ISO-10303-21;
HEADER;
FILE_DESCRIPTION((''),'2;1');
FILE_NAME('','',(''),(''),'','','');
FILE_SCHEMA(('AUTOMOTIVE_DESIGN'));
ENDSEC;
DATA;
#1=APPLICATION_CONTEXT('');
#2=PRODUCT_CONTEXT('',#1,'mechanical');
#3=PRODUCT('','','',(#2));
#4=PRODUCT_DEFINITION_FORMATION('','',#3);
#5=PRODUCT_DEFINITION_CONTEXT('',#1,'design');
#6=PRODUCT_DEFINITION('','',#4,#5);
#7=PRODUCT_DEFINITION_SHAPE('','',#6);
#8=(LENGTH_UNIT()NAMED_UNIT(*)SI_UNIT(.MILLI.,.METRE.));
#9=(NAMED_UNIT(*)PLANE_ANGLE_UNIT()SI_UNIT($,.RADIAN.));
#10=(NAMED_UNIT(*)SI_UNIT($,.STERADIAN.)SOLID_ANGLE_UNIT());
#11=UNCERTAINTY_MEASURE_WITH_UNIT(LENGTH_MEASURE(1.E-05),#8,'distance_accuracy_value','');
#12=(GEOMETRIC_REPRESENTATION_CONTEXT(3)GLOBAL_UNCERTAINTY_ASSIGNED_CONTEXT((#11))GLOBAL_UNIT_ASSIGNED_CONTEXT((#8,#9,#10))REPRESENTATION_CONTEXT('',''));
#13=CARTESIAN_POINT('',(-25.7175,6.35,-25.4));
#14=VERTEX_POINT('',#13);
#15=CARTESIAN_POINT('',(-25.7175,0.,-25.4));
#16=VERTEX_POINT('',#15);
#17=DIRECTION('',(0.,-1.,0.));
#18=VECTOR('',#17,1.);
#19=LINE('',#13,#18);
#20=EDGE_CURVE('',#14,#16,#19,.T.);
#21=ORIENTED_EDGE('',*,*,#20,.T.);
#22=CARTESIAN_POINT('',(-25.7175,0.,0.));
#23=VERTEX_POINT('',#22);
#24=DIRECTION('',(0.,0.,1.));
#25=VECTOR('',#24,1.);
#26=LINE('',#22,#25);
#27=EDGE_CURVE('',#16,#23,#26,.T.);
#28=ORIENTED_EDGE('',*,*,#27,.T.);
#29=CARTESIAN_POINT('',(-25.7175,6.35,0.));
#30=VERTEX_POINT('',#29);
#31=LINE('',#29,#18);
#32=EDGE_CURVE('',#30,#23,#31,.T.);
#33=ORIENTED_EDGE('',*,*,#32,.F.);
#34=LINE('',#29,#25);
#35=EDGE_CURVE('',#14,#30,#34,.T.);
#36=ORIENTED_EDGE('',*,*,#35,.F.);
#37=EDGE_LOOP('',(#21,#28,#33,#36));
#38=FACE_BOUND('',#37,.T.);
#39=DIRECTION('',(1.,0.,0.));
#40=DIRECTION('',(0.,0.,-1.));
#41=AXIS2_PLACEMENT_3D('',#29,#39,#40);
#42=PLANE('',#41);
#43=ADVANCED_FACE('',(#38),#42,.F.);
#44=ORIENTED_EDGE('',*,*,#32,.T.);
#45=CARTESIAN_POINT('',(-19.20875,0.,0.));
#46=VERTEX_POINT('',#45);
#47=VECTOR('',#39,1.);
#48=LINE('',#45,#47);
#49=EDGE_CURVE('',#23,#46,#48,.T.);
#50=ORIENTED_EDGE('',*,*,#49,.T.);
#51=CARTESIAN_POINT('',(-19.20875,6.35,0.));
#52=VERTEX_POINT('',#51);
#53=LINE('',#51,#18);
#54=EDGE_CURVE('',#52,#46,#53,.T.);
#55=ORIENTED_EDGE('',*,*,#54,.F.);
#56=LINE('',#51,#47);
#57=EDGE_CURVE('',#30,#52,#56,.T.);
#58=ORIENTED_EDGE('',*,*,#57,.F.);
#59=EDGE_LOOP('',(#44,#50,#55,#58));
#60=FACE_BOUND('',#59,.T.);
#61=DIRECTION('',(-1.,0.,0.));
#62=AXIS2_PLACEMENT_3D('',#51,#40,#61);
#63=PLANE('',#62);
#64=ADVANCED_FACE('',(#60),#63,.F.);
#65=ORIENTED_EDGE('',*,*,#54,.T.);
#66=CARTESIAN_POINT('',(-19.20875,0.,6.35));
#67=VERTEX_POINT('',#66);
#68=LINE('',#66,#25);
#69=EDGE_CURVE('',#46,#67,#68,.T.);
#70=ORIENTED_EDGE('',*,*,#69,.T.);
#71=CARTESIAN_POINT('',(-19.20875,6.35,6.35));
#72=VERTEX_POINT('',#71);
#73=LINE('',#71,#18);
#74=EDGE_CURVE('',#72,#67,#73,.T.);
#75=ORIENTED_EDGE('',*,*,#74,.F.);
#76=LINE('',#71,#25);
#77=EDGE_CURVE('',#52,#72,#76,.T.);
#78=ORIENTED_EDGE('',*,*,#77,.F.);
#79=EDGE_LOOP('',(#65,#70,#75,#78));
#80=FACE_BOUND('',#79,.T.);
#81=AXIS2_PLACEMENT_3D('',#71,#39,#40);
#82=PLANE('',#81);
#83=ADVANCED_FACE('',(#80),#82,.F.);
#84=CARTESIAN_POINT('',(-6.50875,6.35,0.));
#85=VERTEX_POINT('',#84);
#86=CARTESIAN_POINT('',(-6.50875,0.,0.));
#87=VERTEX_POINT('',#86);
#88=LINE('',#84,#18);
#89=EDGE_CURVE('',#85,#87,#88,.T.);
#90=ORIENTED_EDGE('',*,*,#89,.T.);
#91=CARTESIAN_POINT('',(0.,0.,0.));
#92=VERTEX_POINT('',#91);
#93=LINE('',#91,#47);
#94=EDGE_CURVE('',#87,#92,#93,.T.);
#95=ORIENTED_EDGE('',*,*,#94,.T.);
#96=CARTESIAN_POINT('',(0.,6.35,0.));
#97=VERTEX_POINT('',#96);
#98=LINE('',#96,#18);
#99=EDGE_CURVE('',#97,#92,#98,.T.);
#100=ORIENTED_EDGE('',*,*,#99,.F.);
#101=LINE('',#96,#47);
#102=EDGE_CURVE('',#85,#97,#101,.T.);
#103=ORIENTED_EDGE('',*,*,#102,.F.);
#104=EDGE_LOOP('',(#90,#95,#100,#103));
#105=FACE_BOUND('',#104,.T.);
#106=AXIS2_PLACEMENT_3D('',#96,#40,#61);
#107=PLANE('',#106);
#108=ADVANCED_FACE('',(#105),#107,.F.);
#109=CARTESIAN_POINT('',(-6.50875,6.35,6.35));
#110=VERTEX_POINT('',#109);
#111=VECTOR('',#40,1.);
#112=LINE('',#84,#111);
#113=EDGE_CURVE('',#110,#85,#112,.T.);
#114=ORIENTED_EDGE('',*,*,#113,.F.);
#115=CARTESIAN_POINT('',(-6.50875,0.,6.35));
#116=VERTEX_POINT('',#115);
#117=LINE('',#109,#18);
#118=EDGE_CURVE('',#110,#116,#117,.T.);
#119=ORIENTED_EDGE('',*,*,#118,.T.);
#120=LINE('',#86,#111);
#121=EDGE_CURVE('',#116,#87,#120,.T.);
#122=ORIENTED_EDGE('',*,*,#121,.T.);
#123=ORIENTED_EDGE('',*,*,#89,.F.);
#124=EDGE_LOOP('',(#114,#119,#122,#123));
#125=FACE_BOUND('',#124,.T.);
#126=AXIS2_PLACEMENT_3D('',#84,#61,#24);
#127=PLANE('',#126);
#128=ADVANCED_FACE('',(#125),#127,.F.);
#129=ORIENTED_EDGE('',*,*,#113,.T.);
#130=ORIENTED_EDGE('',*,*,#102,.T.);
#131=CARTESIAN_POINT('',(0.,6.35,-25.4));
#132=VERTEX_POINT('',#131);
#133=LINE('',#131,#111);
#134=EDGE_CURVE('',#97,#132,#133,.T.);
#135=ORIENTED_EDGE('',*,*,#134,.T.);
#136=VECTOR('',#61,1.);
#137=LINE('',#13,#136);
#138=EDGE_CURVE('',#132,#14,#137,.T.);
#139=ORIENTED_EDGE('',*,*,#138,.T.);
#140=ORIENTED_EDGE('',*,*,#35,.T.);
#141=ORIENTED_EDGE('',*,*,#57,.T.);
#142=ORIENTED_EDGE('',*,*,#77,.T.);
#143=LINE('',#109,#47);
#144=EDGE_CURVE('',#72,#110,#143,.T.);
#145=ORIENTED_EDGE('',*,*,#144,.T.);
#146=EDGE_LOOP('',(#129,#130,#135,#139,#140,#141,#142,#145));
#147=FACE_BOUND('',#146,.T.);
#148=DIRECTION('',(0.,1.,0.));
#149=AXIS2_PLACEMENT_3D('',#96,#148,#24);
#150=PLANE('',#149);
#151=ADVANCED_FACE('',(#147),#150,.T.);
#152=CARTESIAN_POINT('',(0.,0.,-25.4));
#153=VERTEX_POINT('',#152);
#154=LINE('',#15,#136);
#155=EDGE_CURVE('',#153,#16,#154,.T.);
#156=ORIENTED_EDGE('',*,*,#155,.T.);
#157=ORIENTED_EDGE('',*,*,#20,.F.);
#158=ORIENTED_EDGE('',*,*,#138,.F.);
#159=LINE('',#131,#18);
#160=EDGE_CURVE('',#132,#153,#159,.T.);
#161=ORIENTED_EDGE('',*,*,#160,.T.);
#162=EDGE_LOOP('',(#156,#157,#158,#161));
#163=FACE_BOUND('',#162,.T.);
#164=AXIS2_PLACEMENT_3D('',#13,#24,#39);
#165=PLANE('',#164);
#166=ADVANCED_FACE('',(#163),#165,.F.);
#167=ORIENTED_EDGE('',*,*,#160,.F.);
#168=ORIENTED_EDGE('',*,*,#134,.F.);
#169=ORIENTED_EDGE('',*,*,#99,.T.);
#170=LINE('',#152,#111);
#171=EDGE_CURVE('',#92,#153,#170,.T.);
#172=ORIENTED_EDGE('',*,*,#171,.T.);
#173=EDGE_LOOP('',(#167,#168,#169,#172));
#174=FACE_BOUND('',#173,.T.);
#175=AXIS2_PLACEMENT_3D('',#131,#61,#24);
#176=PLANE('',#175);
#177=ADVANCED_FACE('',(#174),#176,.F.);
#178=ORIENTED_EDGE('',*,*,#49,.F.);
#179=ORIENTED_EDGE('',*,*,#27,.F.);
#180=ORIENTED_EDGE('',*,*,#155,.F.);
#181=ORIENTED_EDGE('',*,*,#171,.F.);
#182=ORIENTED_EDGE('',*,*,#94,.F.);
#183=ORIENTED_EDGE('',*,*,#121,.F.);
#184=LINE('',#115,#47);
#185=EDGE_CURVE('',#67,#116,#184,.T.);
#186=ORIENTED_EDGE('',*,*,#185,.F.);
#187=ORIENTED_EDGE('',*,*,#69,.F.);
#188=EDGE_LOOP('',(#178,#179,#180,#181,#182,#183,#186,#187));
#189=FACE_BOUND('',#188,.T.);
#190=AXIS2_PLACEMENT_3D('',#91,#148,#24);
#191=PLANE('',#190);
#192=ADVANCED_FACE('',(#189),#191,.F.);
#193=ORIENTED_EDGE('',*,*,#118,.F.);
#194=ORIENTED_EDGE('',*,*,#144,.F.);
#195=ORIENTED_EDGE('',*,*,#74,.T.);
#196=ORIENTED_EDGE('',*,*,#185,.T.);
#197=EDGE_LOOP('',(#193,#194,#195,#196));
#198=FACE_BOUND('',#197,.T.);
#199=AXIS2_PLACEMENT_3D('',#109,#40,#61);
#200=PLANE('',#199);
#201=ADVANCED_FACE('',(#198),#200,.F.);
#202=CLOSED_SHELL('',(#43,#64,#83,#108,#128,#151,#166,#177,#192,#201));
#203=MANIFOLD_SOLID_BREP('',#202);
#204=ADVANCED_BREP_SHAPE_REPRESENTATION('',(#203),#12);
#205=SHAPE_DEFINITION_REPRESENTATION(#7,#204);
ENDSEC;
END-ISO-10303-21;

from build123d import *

# Parameters (mm, degrees)
BOSS_EXTRUDE1_DEPTH = 6.35


with BuildPart() as part:
    # Sketch1 → Boss-Extrude1 (new body)
    with BuildSketch(Plane(origin=(0, 0, 0), x_dir=(1, 0, 0), z_dir=(0, 1, 0))):
        Polygon((-25.7175, 25.4), (0, 25.4), (0, 0), (-6.50875, 0), (-6.50875, -6.35), (-19.20875, -6.35), (-19.20875, 0), (-25.7175, 0), align=None)
    extrude(amount=BOSS_EXTRUDE1_DEPTH)


solid = part.part
